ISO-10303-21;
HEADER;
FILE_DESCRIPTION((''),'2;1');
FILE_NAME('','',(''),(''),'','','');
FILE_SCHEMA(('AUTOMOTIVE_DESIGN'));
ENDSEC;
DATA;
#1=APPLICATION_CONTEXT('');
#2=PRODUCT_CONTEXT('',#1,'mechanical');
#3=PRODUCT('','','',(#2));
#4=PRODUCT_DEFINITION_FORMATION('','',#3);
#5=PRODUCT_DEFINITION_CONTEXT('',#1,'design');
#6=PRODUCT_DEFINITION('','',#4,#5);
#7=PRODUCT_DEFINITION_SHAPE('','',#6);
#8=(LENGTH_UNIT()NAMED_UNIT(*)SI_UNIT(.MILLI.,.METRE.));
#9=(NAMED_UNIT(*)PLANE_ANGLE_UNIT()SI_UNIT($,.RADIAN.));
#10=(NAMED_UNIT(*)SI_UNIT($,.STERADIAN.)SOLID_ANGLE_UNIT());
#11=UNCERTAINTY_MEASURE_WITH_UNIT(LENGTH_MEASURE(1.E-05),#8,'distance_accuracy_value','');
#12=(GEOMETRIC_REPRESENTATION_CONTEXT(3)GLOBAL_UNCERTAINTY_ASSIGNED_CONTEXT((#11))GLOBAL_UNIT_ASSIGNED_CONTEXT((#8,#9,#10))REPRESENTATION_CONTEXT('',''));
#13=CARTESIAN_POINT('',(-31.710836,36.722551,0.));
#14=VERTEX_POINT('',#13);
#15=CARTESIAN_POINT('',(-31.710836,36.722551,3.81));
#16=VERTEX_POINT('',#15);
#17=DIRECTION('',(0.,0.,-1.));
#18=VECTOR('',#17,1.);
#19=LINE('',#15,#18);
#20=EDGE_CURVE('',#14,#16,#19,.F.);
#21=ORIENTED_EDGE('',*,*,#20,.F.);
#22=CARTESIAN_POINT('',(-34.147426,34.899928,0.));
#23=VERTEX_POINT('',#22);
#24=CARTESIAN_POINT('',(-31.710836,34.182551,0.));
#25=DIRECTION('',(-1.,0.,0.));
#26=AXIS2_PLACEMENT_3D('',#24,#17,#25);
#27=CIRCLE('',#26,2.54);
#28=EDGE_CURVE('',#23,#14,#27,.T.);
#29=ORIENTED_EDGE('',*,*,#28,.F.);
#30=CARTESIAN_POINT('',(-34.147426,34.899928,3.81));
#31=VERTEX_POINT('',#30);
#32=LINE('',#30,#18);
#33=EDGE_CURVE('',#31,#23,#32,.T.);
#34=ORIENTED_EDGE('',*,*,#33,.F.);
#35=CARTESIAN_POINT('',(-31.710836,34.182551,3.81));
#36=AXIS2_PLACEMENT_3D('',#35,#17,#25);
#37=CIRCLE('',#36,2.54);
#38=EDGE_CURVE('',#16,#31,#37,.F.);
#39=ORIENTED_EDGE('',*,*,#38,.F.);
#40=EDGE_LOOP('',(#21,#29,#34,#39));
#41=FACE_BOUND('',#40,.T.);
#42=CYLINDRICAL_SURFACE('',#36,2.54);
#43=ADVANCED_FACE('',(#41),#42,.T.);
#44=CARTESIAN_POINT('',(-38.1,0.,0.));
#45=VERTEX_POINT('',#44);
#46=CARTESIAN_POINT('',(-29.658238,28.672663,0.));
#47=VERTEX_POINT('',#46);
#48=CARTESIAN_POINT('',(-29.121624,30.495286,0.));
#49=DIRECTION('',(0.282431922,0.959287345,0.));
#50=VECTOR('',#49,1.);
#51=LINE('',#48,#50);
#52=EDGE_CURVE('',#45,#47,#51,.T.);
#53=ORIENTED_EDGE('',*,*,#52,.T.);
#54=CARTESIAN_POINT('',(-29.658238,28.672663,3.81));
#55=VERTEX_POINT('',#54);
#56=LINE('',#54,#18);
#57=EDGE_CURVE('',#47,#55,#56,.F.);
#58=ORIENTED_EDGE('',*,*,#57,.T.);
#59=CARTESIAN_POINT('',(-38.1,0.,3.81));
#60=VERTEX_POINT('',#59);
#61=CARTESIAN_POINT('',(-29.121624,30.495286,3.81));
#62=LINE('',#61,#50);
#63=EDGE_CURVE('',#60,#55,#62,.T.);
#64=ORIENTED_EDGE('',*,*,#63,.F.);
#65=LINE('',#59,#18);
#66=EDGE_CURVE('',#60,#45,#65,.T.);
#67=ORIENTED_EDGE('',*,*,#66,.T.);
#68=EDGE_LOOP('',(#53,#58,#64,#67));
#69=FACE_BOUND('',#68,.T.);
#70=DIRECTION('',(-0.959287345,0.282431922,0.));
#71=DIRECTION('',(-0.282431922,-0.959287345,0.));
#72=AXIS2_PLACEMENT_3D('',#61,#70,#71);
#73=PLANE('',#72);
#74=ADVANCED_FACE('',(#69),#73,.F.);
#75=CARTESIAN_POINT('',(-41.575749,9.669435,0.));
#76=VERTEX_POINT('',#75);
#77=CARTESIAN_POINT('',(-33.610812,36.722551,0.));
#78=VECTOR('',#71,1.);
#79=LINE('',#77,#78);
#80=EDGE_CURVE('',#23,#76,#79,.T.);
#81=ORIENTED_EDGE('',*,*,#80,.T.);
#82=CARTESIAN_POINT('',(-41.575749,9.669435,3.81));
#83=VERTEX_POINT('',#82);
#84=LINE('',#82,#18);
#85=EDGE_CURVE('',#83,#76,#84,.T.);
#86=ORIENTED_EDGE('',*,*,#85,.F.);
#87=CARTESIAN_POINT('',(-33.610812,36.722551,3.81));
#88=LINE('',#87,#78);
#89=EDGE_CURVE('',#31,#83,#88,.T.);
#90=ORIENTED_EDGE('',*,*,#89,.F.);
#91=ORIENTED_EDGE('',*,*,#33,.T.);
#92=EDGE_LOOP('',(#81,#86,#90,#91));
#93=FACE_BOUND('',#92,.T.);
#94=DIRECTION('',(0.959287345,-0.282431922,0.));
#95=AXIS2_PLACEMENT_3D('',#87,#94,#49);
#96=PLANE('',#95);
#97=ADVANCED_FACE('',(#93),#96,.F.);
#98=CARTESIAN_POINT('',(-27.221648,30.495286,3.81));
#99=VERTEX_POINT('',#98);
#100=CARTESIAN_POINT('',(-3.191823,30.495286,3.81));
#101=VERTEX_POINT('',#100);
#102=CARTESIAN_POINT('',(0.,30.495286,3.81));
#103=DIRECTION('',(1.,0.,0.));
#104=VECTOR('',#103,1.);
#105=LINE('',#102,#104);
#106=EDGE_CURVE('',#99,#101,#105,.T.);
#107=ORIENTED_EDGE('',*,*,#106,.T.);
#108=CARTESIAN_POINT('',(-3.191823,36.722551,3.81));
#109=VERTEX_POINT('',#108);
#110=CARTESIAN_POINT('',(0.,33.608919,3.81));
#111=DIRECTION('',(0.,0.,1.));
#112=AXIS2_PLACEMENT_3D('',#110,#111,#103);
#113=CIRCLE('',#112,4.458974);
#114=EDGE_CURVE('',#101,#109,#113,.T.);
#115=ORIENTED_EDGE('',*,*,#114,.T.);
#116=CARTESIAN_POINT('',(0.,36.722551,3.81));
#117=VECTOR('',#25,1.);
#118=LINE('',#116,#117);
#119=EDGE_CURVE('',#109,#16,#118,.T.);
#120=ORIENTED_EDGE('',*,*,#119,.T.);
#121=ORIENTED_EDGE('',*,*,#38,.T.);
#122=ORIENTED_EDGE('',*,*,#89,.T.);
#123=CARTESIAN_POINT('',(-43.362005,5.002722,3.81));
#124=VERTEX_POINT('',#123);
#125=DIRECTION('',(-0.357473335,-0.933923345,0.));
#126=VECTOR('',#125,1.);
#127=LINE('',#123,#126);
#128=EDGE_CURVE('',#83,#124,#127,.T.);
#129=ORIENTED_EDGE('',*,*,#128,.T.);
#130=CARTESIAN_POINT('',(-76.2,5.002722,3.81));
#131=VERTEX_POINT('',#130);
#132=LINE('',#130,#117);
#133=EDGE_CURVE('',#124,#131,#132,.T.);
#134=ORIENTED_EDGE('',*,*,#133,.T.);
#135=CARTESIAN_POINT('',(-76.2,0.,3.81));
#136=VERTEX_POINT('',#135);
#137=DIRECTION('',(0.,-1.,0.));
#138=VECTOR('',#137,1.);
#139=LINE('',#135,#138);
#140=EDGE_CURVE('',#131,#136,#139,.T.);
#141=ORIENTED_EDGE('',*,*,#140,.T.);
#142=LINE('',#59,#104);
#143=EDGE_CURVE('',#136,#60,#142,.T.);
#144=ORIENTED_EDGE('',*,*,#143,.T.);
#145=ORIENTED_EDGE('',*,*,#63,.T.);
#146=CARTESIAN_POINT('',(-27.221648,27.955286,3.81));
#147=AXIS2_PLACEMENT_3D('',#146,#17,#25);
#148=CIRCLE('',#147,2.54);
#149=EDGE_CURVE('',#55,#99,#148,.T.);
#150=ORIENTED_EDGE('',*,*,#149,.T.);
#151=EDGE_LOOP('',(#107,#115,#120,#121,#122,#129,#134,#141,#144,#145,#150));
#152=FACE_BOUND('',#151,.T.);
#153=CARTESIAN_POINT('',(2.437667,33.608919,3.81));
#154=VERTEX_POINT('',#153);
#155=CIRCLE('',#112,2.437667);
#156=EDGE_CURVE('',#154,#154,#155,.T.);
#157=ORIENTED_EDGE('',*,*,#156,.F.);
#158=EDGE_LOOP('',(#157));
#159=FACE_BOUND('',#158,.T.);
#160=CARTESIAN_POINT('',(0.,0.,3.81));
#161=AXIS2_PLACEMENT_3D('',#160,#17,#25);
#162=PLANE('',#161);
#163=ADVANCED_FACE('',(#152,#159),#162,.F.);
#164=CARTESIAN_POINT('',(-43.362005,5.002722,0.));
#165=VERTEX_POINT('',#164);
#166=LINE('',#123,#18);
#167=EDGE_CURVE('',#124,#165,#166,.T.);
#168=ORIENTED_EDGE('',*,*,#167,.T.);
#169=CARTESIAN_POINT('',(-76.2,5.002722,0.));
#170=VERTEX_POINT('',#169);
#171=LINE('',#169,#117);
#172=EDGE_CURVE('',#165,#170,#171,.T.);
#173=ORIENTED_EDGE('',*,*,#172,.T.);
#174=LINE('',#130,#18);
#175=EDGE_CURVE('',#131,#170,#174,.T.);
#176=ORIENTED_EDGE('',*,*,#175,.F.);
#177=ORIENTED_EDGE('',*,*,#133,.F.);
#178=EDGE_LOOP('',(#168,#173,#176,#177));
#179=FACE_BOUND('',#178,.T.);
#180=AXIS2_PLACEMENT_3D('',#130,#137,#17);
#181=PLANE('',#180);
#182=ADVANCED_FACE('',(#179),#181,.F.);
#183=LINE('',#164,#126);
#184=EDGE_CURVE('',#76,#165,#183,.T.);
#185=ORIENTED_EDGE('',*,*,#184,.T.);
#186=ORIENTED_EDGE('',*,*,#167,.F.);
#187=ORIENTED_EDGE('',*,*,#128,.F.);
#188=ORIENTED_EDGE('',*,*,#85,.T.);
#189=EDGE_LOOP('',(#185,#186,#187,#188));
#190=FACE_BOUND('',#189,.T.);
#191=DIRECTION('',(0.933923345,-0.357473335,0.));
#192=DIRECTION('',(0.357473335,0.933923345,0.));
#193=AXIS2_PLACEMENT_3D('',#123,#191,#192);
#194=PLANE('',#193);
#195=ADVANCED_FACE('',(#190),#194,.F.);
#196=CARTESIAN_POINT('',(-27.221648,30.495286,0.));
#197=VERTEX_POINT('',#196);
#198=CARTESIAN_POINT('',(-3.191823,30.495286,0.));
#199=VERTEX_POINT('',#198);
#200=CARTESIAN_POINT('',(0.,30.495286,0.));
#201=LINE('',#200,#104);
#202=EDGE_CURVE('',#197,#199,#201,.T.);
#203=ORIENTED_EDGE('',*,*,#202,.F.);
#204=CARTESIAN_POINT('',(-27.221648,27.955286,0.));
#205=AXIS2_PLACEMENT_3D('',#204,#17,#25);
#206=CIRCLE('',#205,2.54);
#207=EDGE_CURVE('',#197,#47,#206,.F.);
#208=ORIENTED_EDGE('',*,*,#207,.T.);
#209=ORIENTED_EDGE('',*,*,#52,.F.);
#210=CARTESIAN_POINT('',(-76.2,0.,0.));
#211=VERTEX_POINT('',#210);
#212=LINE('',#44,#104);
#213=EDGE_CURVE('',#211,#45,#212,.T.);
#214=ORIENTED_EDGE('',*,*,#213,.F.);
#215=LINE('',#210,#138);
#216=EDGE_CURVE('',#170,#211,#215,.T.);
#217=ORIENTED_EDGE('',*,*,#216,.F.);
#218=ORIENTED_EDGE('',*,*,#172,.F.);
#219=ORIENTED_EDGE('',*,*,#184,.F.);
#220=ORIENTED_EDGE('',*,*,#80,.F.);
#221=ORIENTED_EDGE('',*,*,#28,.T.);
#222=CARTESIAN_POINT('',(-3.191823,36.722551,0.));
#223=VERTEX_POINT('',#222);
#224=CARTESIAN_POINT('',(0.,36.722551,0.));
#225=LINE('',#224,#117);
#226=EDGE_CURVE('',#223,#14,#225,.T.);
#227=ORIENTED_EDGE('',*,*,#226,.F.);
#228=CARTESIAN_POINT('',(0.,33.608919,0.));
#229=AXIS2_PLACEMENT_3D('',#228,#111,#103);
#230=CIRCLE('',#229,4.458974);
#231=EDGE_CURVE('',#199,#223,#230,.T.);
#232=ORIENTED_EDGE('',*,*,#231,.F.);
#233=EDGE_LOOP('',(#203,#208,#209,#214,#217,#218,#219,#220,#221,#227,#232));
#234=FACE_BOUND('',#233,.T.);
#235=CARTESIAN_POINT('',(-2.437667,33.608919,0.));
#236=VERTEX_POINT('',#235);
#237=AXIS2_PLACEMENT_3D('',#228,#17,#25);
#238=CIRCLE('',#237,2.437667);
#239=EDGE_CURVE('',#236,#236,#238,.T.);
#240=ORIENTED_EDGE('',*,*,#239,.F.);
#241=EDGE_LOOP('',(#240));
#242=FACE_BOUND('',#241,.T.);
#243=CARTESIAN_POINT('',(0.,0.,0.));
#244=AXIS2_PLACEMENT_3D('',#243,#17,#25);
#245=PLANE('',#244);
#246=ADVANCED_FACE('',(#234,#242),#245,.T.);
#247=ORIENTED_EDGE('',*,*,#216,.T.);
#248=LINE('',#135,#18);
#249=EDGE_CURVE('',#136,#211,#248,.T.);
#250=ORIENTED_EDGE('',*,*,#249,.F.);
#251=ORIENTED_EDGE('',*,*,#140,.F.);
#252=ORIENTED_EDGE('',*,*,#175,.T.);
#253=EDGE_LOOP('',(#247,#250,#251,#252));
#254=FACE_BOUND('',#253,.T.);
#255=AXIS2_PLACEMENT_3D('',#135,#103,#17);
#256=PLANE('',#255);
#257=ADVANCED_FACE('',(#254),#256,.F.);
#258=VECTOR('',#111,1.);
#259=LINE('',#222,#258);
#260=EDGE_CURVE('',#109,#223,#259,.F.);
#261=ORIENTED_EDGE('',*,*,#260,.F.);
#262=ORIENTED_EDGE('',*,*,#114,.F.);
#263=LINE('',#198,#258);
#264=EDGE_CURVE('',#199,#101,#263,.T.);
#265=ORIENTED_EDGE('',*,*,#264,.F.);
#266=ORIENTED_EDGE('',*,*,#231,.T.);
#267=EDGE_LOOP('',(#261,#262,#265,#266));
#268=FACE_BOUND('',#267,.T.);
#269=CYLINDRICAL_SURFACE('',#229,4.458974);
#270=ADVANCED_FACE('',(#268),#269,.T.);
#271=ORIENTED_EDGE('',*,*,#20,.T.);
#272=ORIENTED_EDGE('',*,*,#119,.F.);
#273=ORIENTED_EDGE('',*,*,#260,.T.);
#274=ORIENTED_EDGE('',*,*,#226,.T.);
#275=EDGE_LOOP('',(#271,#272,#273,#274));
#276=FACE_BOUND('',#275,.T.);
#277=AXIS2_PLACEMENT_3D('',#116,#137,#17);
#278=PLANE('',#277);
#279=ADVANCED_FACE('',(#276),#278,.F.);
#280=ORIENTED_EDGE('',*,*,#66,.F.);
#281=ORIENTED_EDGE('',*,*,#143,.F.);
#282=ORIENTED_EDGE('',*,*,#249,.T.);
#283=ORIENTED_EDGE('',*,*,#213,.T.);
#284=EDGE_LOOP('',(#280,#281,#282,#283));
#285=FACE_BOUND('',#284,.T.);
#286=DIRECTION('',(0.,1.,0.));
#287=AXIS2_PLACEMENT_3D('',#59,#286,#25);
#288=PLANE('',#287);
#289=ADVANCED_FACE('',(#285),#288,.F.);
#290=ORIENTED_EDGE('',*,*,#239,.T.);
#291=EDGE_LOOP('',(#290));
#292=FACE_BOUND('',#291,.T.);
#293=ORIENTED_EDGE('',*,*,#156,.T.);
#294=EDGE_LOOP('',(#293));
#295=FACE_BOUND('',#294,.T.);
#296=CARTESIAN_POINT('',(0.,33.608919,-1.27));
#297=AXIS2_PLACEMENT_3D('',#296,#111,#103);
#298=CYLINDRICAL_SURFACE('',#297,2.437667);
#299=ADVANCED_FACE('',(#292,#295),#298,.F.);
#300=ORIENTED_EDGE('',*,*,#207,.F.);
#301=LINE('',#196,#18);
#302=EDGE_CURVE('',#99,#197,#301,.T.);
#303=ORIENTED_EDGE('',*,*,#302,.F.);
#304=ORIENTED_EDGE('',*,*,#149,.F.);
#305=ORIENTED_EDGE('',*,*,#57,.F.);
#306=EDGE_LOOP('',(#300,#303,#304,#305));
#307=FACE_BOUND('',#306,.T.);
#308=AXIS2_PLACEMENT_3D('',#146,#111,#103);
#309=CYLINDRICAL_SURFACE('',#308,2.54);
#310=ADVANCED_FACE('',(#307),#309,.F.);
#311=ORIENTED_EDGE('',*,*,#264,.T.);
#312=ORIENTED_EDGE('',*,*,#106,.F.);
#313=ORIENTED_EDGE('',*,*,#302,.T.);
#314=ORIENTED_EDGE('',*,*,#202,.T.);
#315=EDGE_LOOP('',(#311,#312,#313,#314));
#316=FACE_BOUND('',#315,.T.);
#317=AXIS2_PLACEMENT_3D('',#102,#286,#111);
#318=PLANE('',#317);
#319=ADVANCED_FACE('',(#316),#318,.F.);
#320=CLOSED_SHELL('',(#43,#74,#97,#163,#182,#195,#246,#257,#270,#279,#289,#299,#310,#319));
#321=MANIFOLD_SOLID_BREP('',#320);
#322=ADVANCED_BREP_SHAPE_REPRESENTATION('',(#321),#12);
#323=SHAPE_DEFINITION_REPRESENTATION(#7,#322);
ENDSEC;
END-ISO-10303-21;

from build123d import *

# Parameters (mm, degrees)
BOSS_EXTRUDE1_DEPTH = 3.81
SKETCH2_R           = 4.458973568
BOSS_EXTRUDE2_DEPTH = 3.81
SKETCH3_R           = 2.437666758
CUT_EXTRUDE1_DEPTH  = 5.08
FILLET1_R           = 2.54
FILLET2_R           = 2.54


with BuildPart() as part:
    # Sketch1 → Boss-Extrude1 (new body)
    with BuildSketch(Plane.XY):
        Polygon((0, 30.495285818), (0, 36.722551391), (-33.610812147, 36.722551391), (-41.575749468, 9.669435316), (-43.362004736, 5.002722218), (-76.2, 5.002722218), (-76.2, 0), (-38.1, 0), (-29.121624295, 30.495285818), align=None)
    extrude(amount=BOSS_EXTRUDE1_DEPTH)

    # Sketch2 → Boss-Extrude2 (add)
    with BuildSketch(Plane.XY.offset(3.81)):
        with Locations((0, 33.608918604)):
            Circle(SKETCH2_R)
    extrude(amount=-BOSS_EXTRUDE2_DEPTH)

    # Sketch3 → Cut-Extrude1 (cut)
    with BuildSketch(Plane.XY.offset(3.81)):
        with Locations((0, 33.608918604)):
            Circle(SKETCH3_R)
    extrude(amount=-CUT_EXTRUDE1_DEPTH, mode=Mode.SUBTRACT)

    # Fillet1
    fillet1_edges = [part.edges().sort_by_distance(p)[0] for p in [
        (-33.610812147, 36.722551391, 1.905),
    ]]
    fillet(fillet1_edges, radius=FILLET1_R)

    # Fillet2
    fillet2_edges = [part.edges().sort_by_distance(p)[0] for p in [
        (-29.121624295, 30.495285818, 1.905),
    ]]
    fillet(fillet2_edges, radius=FILLET2_R)


solid = part.part
